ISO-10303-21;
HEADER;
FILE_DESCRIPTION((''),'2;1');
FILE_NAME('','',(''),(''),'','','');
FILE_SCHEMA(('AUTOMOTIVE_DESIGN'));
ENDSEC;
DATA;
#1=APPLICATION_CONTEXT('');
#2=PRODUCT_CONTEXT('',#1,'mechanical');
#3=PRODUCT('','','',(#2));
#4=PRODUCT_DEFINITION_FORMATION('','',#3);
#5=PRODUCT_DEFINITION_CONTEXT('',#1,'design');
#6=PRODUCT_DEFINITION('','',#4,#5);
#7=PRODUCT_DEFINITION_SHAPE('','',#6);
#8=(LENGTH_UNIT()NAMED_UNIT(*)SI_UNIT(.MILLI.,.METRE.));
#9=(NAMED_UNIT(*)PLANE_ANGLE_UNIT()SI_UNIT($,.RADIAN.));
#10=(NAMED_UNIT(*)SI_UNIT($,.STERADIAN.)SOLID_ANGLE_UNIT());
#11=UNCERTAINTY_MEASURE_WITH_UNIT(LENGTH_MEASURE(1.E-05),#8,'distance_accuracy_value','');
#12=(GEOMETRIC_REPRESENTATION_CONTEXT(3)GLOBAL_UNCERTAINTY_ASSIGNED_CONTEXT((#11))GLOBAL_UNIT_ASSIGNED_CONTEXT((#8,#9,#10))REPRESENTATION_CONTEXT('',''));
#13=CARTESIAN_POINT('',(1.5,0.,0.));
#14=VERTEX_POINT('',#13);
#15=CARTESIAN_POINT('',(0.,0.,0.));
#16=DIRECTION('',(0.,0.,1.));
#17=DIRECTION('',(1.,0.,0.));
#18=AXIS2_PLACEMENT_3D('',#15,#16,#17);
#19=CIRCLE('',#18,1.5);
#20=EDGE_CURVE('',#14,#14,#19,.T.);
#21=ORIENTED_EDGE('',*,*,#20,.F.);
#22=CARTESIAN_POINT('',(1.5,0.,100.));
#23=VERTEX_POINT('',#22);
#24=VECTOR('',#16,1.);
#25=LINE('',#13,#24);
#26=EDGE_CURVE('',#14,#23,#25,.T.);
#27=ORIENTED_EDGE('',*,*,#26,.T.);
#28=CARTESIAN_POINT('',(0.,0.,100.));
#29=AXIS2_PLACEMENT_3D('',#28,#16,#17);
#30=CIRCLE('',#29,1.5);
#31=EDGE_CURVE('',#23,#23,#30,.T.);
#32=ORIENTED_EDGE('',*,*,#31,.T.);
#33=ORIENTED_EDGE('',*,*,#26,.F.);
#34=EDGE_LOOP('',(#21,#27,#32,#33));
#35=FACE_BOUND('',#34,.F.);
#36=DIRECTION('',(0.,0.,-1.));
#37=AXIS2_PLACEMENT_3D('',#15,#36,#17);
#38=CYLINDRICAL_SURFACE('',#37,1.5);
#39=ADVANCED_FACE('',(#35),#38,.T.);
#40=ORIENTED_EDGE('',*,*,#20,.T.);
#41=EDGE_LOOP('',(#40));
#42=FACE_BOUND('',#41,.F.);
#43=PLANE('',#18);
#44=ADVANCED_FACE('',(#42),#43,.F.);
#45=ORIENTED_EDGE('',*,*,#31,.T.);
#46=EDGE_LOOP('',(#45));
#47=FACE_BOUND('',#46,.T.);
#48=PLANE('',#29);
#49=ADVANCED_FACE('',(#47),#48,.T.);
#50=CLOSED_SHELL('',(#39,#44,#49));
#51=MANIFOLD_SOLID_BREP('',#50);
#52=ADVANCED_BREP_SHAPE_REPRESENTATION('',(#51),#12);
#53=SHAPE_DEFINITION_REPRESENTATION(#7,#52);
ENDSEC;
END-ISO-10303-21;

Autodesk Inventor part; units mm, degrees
ref_plane "YZ Plane" through (0, 0, 0) normal (1, 0, 0) x (0, 1, 0)
ref_plane "XZ Plane" through (0, 0, 0) normal (0, 1, 0) x (-1, 0, 0)
ref_plane "XY Plane" through (0, 0, 0) normal (0, 0, 1) x (1, 0, 0)
sketch "Sketch1" plane through (0, 0, 0) normal (0, 0, 1) x (1, 0, 0)
  circle A0 centre (0, 0) radius 1.5
  dimension "d0" = 3
extrude "Extrusion1" add sketch "Sketch1" along normal blind 100
properties part number "steel_rod"
